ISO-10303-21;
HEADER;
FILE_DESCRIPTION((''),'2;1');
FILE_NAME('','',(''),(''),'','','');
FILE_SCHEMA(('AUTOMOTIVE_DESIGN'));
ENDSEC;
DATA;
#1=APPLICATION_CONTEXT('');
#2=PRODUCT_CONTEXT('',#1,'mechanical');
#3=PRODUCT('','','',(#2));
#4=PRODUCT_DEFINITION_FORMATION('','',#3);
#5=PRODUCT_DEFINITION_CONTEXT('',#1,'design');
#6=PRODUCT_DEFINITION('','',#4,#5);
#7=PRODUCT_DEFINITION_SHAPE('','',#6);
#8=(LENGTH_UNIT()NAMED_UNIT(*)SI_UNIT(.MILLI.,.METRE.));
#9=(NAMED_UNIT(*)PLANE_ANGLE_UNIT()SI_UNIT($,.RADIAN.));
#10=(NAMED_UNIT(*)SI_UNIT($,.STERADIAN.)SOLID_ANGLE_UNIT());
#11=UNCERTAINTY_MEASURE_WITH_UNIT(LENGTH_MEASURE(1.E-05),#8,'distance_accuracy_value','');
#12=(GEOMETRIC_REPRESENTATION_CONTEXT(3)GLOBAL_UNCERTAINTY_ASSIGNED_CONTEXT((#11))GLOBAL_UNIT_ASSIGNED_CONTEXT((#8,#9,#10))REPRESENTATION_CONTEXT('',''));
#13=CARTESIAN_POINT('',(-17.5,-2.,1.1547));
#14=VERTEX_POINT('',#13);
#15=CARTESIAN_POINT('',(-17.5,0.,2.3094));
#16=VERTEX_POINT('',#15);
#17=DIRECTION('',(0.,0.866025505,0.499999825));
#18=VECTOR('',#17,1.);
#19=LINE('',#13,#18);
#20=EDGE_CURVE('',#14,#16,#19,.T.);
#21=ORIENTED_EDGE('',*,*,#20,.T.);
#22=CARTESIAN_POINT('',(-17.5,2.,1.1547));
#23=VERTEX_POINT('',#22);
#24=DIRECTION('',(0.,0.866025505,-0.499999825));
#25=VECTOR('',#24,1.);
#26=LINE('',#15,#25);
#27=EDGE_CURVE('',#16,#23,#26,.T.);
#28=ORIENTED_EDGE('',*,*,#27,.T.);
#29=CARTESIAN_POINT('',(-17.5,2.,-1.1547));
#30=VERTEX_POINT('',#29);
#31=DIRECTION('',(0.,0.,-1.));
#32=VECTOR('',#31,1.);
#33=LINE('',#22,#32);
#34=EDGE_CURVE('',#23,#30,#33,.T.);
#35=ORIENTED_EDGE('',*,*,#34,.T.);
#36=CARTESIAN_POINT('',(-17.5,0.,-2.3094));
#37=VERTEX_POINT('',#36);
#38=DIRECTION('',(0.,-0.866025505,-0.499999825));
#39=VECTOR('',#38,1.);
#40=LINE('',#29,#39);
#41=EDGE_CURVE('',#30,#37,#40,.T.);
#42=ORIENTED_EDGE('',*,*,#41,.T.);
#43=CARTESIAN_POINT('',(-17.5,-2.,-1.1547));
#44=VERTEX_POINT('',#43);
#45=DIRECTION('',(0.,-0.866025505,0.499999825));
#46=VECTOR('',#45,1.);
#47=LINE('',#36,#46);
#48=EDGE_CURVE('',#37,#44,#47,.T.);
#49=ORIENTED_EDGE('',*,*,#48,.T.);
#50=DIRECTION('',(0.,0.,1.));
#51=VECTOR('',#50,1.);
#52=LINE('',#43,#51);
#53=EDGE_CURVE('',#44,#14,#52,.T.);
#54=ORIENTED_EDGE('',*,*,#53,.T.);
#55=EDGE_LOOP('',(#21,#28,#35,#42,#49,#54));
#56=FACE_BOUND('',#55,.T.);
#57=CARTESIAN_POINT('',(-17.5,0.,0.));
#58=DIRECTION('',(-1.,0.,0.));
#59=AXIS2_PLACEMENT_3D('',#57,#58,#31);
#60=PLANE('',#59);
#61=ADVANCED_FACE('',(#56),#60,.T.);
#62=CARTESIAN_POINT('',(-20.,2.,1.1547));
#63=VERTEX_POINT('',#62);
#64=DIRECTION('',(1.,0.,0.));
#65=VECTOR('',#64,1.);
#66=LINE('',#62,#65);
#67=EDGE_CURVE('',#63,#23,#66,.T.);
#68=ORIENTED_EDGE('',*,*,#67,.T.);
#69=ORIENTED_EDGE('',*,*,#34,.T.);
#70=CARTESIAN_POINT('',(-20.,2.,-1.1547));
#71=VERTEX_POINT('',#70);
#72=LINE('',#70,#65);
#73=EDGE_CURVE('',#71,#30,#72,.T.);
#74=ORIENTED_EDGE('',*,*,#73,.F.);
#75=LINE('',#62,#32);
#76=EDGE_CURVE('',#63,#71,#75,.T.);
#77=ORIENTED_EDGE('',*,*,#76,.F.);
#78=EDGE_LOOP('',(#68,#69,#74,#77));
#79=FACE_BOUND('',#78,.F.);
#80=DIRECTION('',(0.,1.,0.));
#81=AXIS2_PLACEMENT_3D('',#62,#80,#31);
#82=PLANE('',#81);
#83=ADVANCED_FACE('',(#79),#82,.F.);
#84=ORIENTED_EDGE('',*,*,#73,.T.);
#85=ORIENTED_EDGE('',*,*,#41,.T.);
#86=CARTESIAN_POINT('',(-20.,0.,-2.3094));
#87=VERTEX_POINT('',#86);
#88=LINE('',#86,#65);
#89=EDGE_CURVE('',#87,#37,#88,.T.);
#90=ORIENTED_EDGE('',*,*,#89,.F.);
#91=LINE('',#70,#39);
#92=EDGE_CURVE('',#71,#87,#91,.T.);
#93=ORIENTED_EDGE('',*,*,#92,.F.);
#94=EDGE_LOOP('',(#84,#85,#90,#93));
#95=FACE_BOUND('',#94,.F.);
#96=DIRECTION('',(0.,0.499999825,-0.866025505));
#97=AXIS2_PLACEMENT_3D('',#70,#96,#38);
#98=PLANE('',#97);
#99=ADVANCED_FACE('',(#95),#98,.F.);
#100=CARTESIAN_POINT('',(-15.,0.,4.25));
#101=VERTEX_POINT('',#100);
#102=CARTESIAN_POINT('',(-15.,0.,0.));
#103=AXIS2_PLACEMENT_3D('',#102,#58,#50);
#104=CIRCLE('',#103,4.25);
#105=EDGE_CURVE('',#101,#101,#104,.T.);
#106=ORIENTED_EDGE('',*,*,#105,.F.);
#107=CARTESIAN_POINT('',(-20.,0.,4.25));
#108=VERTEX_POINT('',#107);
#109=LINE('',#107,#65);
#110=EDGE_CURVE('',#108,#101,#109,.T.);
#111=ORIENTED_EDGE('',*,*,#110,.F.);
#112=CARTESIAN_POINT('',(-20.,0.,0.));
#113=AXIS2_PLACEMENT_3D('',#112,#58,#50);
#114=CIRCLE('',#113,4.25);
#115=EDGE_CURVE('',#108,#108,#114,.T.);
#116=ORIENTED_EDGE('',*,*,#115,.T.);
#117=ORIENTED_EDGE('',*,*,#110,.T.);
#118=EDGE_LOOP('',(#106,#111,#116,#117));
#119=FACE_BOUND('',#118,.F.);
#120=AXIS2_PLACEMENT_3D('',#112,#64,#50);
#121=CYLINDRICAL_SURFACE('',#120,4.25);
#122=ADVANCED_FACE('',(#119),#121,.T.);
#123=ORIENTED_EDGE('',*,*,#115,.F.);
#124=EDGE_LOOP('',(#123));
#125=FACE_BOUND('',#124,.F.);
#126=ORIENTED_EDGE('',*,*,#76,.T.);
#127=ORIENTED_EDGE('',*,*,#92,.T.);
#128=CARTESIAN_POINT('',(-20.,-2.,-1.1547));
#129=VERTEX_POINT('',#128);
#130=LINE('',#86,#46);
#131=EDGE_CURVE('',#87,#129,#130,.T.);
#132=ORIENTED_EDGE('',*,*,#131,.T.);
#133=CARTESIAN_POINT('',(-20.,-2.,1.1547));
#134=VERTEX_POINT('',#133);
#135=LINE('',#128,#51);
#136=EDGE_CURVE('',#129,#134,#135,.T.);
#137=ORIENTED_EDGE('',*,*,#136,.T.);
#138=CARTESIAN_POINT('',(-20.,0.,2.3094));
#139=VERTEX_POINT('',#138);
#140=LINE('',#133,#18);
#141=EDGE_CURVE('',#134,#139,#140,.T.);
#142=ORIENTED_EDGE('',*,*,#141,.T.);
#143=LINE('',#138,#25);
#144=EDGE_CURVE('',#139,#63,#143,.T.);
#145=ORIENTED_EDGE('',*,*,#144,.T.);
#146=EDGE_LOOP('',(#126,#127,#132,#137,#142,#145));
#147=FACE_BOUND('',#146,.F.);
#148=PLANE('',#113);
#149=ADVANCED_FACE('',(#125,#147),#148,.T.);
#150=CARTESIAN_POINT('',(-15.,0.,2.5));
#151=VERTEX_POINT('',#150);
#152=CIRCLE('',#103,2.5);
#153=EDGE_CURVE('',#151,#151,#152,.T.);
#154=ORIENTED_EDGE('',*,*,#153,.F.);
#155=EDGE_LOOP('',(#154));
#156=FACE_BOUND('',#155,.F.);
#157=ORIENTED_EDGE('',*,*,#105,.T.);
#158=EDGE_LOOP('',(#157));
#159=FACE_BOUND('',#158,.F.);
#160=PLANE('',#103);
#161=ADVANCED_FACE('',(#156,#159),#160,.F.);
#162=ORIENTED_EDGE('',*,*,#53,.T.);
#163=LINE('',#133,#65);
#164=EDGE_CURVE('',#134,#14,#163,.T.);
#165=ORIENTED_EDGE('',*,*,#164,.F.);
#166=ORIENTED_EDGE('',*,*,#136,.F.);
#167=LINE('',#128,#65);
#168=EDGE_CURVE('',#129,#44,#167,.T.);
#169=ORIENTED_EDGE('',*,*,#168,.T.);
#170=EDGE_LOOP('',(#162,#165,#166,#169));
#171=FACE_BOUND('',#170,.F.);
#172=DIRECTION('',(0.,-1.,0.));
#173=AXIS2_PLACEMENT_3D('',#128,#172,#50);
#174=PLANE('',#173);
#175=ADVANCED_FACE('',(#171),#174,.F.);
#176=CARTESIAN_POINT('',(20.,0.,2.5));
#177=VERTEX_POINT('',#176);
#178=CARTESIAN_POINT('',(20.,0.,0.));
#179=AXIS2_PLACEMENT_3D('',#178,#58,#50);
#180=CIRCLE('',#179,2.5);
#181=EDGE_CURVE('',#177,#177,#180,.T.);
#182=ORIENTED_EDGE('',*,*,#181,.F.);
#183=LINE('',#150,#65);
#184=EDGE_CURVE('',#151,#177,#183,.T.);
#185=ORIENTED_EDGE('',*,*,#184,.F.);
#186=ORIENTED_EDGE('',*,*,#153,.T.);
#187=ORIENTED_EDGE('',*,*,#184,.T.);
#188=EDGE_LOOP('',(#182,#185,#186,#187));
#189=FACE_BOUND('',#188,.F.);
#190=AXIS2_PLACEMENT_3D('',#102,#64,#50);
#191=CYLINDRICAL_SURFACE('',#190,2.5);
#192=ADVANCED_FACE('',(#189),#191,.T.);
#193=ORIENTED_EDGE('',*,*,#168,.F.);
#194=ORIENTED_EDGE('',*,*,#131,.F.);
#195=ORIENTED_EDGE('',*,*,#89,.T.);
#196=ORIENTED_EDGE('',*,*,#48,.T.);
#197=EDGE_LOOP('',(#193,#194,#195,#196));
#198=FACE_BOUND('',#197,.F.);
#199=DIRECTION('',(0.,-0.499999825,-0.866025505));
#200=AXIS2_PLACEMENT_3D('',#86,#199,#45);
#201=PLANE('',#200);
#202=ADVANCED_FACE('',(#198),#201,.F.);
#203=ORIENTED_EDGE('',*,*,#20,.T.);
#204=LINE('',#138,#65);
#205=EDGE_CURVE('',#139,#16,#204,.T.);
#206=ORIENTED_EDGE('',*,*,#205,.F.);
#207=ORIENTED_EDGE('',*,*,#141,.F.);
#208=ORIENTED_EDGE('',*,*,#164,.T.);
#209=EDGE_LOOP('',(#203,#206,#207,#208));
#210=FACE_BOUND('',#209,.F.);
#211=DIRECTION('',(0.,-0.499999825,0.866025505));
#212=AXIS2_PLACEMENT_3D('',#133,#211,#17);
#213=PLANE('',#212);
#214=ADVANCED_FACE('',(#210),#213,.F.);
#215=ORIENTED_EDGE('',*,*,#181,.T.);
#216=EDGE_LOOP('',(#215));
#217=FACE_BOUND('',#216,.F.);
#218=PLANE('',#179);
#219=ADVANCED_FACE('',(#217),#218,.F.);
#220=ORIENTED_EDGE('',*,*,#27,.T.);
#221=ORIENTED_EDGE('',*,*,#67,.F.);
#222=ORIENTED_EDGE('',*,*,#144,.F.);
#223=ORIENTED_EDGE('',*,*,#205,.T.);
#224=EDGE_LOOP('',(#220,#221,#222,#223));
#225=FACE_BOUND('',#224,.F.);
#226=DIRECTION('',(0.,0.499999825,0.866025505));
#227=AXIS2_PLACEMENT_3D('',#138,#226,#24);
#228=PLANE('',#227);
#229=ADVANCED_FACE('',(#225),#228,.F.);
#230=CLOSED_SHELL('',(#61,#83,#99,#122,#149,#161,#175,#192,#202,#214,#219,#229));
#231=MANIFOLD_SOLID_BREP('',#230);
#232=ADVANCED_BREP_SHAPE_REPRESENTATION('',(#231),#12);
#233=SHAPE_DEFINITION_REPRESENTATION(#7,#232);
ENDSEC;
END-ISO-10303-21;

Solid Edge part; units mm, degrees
sketch "Sketch1" plane through (10.8674, 0, 10.8674) normal (0, -1, 0) x (1, 0, 0)
  line L0 (-30.8674, -10.8674) -> (-30.8674, -6.6174)
  line L1 (-30.8674, -6.6174) -> (-25.8674, -6.6174)
  line L2 (-25.8674, -6.6174) -> (-25.8674, -8.3674)
  line L3 (-25.8674, -8.3674) -> (9.1326, -8.3674)
  line L4 (9.1326, -8.3674) -> (9.1326, -10.8674)
  dimension "D1" = 5
  dimension "D2" = 35
revolve "RevolvedProtrusion1" add sketch "Sketch1" angle 360 about axis through (16.5, 0, 0) along (-1, 0, 0)
sketch "Sketch2" plane through (-20, 0, 0) normal (-1, 0, 0) x (0, 0, -1)
  line L0 (2.3094, 0) -> (1.1547, 2)
  line L1 (1.1547, 2) -> (-1.1547, 2)
  line L2 (-1.1547, 2) -> (-2.3094, 0)
  line L3 (-2.3094, 0) -> (-1.1547, -2)
  line L4 (-1.1547, -2) -> (1.1547, -2)
  line L5 (1.1547, -2) -> (2.3094, 0)
  dimension "D1" = 4
extrude "Cutout1" cut sketch "Sketch2" against normal blind 2.5
cosmetic_thread "Thread1" size "M5"
properties material "Steel"
